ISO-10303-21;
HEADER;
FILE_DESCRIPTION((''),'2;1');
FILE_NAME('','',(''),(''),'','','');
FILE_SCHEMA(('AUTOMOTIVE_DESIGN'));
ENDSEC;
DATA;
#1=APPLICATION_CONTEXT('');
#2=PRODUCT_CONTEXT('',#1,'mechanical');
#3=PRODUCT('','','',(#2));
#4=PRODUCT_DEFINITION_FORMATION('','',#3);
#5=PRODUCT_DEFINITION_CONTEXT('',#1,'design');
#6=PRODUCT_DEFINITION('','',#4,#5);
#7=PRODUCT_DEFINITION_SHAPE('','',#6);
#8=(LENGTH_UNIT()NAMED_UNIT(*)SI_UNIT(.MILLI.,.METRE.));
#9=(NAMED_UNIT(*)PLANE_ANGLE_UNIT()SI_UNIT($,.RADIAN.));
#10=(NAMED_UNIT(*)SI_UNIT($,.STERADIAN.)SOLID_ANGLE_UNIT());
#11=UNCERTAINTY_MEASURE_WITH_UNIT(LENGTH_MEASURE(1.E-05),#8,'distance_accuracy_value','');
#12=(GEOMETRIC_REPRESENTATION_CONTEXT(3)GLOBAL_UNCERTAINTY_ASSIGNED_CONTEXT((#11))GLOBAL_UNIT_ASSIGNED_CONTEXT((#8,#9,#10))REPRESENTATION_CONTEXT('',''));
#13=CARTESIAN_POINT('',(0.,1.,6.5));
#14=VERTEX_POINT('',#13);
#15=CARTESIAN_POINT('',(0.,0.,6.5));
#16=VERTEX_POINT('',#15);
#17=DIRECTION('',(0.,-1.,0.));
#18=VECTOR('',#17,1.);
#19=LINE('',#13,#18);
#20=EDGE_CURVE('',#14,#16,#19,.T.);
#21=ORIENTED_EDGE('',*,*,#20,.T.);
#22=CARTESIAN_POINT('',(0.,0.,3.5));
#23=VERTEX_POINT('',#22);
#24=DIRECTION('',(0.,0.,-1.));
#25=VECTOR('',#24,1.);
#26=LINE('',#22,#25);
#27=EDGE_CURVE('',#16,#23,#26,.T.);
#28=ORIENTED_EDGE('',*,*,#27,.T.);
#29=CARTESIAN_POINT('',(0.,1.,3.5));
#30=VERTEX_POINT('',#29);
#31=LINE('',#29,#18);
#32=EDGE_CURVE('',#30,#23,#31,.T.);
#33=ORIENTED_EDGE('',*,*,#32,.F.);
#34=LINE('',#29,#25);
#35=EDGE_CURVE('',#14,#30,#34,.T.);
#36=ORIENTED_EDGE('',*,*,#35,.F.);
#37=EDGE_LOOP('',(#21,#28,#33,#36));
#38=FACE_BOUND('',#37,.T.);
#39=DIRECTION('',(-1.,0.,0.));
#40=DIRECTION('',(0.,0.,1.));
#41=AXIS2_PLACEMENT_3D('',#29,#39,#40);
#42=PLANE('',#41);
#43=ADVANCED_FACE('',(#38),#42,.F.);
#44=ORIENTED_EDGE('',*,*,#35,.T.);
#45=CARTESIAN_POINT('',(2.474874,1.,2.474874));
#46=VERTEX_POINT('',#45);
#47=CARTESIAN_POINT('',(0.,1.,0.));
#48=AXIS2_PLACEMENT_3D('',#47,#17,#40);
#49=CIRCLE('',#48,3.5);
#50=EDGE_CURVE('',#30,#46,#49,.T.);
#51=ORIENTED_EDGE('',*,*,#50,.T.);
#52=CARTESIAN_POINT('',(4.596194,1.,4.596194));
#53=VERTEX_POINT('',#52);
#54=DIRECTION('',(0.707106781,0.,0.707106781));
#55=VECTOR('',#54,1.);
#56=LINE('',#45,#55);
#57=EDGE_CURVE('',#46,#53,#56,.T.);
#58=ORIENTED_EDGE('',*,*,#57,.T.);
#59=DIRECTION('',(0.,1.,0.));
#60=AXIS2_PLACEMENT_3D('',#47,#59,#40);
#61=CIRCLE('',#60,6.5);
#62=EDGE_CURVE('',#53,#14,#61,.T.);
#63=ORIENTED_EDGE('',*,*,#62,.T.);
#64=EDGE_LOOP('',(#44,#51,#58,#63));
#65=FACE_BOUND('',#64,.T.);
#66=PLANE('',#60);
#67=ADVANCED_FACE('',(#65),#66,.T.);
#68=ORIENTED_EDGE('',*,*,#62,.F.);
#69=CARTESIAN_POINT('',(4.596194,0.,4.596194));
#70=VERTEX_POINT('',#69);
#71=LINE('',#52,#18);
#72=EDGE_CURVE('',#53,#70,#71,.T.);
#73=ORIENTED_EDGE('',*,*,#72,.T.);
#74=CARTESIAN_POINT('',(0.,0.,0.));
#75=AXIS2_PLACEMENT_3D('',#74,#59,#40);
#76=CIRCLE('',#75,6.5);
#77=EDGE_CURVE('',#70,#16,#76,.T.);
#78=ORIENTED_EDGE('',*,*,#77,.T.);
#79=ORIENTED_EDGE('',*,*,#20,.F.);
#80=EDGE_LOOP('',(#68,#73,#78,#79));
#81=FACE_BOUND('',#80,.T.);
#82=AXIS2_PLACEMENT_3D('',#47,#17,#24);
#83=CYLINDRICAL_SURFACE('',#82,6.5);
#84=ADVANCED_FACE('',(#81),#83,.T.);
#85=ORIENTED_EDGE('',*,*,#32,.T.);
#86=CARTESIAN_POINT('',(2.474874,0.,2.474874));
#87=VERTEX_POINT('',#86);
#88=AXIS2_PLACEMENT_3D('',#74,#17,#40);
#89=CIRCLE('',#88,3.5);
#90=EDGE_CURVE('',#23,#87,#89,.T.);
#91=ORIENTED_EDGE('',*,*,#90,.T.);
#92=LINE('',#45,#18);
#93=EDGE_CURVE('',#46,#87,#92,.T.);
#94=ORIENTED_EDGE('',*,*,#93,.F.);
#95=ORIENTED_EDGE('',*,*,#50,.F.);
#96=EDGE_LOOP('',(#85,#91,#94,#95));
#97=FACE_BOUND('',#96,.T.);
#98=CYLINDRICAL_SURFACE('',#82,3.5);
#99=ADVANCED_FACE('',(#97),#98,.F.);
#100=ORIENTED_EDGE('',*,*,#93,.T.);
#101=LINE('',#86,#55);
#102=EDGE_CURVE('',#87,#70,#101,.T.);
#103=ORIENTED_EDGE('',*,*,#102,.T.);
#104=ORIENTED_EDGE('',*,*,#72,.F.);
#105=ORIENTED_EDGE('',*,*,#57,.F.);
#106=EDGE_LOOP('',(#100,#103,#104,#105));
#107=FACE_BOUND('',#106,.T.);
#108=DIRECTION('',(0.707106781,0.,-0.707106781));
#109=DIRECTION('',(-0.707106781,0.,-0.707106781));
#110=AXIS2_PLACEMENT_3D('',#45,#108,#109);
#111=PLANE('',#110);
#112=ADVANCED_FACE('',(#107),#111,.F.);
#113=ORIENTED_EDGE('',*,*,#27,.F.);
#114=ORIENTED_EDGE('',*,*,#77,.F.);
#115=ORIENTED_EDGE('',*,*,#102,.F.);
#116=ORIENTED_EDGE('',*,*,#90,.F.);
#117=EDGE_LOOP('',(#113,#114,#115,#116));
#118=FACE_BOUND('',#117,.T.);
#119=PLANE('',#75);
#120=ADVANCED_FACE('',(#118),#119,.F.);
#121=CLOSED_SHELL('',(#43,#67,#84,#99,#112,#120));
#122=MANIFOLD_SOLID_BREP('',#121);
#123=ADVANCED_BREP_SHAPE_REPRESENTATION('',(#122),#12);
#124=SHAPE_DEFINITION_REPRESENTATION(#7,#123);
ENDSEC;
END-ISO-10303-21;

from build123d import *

# Parameters (mm, degrees)
SALIENTE_EXTRUIR1_DEPTH = 1


with BuildPart() as part:
    # Croquis1 → Saliente-Extruir1 (new body)
    with BuildSketch(Plane(origin=(0, 0, 0), x_dir=(1, 0, 0), z_dir=(0, 1, 0))):
        with BuildLine():
            Line((0, -3.5), (0, -6.5))
            ThreePointArc((0, -6.5), (-2.48744231, 6.005216961), (4.596194078, -4.596194078))
            Line((4.596194078, -4.596194078), (2.474873734, -2.474873734))
            ThreePointArc((2.474873734, -2.474873734), (-1.339392013, 3.233578364), (0, -3.5))
        make_face()
    extrude(amount=SALIENTE_EXTRUIR1_DEPTH)


solid = part.part
